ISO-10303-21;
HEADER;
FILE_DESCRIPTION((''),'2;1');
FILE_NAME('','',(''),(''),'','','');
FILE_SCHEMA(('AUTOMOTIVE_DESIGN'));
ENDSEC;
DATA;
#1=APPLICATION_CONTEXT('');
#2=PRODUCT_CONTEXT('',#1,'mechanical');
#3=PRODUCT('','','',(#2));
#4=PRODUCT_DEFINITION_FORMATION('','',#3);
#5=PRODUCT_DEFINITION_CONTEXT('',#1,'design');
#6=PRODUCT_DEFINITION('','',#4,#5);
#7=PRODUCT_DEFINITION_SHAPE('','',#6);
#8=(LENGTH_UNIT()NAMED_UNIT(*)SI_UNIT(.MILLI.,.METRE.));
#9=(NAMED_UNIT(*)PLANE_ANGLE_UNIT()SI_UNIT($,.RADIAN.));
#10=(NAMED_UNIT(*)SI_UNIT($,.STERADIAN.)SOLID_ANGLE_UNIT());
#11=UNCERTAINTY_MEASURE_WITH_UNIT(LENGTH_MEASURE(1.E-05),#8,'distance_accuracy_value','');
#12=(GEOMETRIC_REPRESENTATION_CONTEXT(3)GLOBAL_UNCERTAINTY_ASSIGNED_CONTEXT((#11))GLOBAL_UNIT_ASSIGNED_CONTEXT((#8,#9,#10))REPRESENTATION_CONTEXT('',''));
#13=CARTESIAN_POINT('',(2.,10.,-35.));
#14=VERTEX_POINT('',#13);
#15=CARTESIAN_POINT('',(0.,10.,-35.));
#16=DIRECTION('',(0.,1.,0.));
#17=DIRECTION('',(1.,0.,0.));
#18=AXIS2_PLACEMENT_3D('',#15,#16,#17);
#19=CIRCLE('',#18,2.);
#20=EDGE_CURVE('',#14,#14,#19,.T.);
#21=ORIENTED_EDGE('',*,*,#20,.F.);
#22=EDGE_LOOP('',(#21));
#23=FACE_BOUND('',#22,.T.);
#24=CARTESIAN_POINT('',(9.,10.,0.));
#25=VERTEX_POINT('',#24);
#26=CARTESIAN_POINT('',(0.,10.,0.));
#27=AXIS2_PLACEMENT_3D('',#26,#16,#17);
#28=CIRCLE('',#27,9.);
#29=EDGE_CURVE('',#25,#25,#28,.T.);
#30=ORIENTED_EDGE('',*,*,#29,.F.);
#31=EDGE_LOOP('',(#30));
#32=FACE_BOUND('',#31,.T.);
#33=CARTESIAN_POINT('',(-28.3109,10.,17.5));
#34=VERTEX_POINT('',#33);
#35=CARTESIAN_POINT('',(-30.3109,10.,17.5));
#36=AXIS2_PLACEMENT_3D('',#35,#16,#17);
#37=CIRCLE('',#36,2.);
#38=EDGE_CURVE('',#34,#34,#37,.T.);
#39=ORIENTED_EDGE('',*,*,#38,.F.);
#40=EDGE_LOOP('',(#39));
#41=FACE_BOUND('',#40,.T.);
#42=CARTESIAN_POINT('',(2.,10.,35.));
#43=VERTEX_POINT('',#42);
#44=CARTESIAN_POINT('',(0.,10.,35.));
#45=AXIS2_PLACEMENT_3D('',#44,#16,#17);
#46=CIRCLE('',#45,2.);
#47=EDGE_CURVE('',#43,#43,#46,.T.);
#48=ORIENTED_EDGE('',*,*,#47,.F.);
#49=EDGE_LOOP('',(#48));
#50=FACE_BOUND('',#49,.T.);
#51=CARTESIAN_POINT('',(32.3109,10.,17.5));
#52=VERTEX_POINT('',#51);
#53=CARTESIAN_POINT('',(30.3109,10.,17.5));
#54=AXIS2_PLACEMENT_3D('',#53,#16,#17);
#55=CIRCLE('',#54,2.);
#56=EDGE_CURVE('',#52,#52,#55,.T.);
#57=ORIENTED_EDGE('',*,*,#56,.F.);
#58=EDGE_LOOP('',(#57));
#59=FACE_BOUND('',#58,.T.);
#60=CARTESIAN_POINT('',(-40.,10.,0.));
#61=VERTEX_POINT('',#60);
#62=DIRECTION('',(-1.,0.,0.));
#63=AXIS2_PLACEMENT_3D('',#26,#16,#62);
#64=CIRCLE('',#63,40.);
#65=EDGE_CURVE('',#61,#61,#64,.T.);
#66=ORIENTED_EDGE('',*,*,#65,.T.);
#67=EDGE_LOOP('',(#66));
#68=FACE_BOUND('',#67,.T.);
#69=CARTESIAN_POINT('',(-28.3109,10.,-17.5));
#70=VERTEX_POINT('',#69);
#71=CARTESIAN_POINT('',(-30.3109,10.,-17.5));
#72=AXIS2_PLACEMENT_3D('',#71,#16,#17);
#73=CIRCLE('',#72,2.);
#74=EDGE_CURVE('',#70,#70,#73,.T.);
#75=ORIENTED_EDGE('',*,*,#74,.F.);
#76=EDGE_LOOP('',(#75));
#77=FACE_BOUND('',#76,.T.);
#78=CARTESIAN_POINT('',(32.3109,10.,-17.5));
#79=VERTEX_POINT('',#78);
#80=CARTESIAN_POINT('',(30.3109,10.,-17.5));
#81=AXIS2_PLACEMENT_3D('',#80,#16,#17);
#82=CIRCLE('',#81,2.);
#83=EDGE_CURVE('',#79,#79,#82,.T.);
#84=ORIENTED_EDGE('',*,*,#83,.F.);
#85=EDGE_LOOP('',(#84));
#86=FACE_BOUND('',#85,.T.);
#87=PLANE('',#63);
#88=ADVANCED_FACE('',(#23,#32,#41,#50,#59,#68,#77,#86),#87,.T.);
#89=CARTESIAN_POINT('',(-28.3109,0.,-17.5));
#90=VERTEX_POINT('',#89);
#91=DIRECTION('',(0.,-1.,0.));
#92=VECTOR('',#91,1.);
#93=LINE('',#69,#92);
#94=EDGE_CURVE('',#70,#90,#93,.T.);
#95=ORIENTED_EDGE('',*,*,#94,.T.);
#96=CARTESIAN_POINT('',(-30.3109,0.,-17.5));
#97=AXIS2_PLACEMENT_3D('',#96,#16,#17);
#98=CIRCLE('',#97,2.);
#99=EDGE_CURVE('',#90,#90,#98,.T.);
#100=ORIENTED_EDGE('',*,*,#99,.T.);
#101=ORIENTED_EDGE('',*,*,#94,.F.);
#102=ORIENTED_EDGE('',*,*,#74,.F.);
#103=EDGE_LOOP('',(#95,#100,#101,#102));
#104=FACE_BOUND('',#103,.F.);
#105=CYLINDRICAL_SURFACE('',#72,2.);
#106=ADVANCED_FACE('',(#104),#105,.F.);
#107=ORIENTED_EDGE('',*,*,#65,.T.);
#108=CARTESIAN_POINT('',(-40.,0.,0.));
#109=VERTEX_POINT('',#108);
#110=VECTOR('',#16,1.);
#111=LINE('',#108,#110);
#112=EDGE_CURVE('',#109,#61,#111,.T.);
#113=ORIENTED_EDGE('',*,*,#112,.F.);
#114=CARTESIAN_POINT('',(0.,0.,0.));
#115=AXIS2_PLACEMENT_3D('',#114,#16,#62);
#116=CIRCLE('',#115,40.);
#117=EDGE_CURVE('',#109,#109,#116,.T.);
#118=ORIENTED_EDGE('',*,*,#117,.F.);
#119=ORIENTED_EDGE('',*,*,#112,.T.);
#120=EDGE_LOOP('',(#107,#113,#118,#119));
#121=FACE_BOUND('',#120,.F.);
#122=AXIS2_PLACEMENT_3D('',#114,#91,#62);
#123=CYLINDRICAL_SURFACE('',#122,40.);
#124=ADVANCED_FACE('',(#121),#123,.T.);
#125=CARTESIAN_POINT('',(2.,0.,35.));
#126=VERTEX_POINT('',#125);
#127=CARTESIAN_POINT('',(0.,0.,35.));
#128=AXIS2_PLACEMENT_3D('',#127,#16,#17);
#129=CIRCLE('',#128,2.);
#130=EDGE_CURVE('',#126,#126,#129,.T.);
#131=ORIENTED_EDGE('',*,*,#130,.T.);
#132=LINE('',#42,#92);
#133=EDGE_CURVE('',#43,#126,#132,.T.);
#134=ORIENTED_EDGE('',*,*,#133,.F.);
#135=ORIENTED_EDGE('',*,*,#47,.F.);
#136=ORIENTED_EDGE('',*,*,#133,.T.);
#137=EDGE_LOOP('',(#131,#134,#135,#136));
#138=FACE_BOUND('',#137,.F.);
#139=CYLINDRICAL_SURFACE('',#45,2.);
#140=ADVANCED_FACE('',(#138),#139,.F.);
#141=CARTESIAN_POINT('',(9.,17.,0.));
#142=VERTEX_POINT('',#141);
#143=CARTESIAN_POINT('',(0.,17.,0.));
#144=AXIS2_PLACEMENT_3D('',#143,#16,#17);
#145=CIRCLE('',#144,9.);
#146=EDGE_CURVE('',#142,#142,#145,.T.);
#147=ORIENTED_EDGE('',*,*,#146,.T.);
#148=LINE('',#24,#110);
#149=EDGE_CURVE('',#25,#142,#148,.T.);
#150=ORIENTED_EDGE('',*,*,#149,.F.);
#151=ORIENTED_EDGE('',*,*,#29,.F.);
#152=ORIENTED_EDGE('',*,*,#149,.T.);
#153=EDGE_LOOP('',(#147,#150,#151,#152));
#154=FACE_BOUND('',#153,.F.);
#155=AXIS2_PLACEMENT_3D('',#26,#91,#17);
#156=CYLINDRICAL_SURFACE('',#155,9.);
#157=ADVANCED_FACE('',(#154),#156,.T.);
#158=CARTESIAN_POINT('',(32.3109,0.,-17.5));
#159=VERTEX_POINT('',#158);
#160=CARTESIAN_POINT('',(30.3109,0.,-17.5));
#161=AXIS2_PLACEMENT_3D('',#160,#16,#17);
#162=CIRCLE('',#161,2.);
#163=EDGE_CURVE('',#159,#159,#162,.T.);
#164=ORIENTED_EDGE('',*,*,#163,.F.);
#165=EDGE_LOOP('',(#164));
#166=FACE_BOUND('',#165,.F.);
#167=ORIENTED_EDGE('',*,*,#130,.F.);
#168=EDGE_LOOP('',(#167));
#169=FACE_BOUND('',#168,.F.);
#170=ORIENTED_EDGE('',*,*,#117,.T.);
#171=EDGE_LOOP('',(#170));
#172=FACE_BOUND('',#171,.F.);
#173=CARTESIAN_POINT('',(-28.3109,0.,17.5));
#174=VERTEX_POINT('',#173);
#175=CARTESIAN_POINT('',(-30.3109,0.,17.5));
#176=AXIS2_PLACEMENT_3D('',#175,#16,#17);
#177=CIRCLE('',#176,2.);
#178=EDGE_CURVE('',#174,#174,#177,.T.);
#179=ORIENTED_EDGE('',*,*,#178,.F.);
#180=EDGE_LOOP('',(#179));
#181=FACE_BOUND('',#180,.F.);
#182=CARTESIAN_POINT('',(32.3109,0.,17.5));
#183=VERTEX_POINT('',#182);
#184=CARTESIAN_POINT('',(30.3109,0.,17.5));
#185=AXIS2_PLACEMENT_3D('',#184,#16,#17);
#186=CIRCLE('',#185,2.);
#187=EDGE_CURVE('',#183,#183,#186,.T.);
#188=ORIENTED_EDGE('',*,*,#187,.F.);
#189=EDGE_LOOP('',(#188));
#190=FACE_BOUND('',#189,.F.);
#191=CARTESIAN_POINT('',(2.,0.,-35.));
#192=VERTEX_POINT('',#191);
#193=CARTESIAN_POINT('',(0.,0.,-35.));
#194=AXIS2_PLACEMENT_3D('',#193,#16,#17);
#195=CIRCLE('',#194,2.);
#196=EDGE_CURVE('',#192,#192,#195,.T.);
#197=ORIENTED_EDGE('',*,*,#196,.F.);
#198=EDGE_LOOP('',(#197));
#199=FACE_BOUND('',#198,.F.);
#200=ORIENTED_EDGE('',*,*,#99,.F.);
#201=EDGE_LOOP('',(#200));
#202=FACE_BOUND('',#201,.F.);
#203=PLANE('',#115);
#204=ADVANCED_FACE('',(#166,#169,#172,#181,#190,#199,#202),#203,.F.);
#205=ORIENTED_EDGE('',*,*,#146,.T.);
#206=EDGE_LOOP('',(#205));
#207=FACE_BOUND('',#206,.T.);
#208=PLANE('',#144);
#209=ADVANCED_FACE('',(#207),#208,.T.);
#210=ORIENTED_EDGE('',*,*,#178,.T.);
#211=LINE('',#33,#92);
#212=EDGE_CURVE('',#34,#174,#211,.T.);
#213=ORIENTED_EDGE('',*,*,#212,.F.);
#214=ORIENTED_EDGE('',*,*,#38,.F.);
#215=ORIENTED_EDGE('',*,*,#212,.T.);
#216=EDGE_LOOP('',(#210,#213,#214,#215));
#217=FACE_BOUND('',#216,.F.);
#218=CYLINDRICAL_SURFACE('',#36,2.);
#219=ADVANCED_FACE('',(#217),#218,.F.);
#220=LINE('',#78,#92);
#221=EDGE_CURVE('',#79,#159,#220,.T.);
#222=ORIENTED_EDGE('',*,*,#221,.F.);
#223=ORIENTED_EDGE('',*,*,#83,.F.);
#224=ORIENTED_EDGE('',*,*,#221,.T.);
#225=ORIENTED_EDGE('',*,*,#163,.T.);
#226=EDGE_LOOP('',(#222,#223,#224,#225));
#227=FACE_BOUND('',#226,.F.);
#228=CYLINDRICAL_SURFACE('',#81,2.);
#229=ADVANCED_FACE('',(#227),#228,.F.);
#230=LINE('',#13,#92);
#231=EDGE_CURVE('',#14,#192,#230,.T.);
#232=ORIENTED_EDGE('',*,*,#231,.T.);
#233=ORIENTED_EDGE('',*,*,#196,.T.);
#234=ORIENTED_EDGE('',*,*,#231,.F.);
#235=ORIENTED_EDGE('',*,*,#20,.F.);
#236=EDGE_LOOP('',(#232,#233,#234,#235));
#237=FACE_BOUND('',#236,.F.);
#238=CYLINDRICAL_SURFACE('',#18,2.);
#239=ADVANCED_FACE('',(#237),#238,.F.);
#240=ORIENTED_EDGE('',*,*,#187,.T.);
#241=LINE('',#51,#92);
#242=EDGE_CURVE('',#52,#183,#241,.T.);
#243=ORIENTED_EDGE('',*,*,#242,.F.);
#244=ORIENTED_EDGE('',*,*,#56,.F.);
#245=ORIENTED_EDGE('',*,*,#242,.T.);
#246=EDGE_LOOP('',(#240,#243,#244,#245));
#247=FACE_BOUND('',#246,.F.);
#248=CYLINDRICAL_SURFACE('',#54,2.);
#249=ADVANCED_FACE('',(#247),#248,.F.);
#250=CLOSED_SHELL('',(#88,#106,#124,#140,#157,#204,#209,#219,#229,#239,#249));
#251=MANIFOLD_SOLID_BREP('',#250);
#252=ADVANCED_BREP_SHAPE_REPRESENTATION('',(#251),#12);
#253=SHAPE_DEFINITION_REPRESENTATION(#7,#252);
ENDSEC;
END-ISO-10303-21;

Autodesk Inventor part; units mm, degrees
ref_plane "YZ Plane" through (0, 0, 0) normal (1, 0, 0) x (0, 1, 0)
ref_plane "XZ Plane" through (0, 0, 0) normal (0, 1, 0) x (-1, 0, 0)
ref_plane "XY Plane" through (0, 0, 0) normal (0, 0, 1) x (1, 0, 0)
sketch "Sketch1" plane through (0, 0, 0) normal (0, 1, 0) x (-1, 0, 0)
  circle A0 centre (0, 0) radius 40
  line L0 (0, 40) -> (40, 40) construction
  line L1 (0, 0) -> (0, 7.8266) construction
  line L2 (0, 0) -> (7.0888, 0) construction
  dimension "d0" = 80
extrude "Extrusion1" add sketch "Sketch1" along normal blind 10
sketch "Sketch2" plane through (0, 10, 0) normal (0, 1, 0) x (1, 0, 0)
  circle A0 centre (0, 0) radius 40 projected
  line L0 (0, -40) -> (-40, -40) construction
  line L1 (0, 0) -> (0, 3.1787) construction
  line L2 (0, 0) -> (-7.099, 0) construction
  line L3 (0, 0) -> (-40, -40)
  line L4 (0, 0) -> (40, -40)
  line L5 (0, 0) -> (-40, 40)
  line L6 (0, 0) -> (40, 40)
  circle A1 centre (0, 0) radius 40 construction
  line L7 (-28.2843, -28.2843) -> (-24.7487, -24.7487) construction
  circle A2 centre (0, 0) radius 35 construction
  circle A3 centre (-35, 0) radius 2
  circle A4 centre (-30.3109, -17.5) radius 2
  circle A5 centre (-17.5, -30.3109) radius 2
  circle A6 centre (0, -35) radius 2
  circle A7 centre (17.5, -30.3109) radius 2
  circle A8 centre (30.3109, -17.5) radius 2
  circle A9 centre (35, 0) radius 2
  circle A10 centre (30.3109, 17.5) radius 2
  circle A11 centre (17.5, 30.3109) radius 2
  circle A12 centre (0, 35) radius 2
  circle A13 centre (-17.5, 30.3109) radius 2
  circle A14 centre (-30.3109, 17.5) radius 2
  dimension "d4" = 5
  dimension "d5" = 4
  dimension "d8" = 360
extrude "Extrusion2" cut sketch "Sketch2" against normal through all contours A4 | A6 | A8 | A10 | A12 | A14
sketch "Sketch3" plane through (0, 0, 0) normal (0, -1, 0) x (1, 0, 0)
  point P0 (0, 0)
sketch "Sketch4" plane through (0, 10, 0) normal (0, 1, 0) x (1, 0, 0)
  circle A0 centre (0, 0) radius 9
  dimension "d12" = 18
extrude "Extrusion3" add sketch "Sketch4" along normal blind 7
properties part number "magnet bottom"
